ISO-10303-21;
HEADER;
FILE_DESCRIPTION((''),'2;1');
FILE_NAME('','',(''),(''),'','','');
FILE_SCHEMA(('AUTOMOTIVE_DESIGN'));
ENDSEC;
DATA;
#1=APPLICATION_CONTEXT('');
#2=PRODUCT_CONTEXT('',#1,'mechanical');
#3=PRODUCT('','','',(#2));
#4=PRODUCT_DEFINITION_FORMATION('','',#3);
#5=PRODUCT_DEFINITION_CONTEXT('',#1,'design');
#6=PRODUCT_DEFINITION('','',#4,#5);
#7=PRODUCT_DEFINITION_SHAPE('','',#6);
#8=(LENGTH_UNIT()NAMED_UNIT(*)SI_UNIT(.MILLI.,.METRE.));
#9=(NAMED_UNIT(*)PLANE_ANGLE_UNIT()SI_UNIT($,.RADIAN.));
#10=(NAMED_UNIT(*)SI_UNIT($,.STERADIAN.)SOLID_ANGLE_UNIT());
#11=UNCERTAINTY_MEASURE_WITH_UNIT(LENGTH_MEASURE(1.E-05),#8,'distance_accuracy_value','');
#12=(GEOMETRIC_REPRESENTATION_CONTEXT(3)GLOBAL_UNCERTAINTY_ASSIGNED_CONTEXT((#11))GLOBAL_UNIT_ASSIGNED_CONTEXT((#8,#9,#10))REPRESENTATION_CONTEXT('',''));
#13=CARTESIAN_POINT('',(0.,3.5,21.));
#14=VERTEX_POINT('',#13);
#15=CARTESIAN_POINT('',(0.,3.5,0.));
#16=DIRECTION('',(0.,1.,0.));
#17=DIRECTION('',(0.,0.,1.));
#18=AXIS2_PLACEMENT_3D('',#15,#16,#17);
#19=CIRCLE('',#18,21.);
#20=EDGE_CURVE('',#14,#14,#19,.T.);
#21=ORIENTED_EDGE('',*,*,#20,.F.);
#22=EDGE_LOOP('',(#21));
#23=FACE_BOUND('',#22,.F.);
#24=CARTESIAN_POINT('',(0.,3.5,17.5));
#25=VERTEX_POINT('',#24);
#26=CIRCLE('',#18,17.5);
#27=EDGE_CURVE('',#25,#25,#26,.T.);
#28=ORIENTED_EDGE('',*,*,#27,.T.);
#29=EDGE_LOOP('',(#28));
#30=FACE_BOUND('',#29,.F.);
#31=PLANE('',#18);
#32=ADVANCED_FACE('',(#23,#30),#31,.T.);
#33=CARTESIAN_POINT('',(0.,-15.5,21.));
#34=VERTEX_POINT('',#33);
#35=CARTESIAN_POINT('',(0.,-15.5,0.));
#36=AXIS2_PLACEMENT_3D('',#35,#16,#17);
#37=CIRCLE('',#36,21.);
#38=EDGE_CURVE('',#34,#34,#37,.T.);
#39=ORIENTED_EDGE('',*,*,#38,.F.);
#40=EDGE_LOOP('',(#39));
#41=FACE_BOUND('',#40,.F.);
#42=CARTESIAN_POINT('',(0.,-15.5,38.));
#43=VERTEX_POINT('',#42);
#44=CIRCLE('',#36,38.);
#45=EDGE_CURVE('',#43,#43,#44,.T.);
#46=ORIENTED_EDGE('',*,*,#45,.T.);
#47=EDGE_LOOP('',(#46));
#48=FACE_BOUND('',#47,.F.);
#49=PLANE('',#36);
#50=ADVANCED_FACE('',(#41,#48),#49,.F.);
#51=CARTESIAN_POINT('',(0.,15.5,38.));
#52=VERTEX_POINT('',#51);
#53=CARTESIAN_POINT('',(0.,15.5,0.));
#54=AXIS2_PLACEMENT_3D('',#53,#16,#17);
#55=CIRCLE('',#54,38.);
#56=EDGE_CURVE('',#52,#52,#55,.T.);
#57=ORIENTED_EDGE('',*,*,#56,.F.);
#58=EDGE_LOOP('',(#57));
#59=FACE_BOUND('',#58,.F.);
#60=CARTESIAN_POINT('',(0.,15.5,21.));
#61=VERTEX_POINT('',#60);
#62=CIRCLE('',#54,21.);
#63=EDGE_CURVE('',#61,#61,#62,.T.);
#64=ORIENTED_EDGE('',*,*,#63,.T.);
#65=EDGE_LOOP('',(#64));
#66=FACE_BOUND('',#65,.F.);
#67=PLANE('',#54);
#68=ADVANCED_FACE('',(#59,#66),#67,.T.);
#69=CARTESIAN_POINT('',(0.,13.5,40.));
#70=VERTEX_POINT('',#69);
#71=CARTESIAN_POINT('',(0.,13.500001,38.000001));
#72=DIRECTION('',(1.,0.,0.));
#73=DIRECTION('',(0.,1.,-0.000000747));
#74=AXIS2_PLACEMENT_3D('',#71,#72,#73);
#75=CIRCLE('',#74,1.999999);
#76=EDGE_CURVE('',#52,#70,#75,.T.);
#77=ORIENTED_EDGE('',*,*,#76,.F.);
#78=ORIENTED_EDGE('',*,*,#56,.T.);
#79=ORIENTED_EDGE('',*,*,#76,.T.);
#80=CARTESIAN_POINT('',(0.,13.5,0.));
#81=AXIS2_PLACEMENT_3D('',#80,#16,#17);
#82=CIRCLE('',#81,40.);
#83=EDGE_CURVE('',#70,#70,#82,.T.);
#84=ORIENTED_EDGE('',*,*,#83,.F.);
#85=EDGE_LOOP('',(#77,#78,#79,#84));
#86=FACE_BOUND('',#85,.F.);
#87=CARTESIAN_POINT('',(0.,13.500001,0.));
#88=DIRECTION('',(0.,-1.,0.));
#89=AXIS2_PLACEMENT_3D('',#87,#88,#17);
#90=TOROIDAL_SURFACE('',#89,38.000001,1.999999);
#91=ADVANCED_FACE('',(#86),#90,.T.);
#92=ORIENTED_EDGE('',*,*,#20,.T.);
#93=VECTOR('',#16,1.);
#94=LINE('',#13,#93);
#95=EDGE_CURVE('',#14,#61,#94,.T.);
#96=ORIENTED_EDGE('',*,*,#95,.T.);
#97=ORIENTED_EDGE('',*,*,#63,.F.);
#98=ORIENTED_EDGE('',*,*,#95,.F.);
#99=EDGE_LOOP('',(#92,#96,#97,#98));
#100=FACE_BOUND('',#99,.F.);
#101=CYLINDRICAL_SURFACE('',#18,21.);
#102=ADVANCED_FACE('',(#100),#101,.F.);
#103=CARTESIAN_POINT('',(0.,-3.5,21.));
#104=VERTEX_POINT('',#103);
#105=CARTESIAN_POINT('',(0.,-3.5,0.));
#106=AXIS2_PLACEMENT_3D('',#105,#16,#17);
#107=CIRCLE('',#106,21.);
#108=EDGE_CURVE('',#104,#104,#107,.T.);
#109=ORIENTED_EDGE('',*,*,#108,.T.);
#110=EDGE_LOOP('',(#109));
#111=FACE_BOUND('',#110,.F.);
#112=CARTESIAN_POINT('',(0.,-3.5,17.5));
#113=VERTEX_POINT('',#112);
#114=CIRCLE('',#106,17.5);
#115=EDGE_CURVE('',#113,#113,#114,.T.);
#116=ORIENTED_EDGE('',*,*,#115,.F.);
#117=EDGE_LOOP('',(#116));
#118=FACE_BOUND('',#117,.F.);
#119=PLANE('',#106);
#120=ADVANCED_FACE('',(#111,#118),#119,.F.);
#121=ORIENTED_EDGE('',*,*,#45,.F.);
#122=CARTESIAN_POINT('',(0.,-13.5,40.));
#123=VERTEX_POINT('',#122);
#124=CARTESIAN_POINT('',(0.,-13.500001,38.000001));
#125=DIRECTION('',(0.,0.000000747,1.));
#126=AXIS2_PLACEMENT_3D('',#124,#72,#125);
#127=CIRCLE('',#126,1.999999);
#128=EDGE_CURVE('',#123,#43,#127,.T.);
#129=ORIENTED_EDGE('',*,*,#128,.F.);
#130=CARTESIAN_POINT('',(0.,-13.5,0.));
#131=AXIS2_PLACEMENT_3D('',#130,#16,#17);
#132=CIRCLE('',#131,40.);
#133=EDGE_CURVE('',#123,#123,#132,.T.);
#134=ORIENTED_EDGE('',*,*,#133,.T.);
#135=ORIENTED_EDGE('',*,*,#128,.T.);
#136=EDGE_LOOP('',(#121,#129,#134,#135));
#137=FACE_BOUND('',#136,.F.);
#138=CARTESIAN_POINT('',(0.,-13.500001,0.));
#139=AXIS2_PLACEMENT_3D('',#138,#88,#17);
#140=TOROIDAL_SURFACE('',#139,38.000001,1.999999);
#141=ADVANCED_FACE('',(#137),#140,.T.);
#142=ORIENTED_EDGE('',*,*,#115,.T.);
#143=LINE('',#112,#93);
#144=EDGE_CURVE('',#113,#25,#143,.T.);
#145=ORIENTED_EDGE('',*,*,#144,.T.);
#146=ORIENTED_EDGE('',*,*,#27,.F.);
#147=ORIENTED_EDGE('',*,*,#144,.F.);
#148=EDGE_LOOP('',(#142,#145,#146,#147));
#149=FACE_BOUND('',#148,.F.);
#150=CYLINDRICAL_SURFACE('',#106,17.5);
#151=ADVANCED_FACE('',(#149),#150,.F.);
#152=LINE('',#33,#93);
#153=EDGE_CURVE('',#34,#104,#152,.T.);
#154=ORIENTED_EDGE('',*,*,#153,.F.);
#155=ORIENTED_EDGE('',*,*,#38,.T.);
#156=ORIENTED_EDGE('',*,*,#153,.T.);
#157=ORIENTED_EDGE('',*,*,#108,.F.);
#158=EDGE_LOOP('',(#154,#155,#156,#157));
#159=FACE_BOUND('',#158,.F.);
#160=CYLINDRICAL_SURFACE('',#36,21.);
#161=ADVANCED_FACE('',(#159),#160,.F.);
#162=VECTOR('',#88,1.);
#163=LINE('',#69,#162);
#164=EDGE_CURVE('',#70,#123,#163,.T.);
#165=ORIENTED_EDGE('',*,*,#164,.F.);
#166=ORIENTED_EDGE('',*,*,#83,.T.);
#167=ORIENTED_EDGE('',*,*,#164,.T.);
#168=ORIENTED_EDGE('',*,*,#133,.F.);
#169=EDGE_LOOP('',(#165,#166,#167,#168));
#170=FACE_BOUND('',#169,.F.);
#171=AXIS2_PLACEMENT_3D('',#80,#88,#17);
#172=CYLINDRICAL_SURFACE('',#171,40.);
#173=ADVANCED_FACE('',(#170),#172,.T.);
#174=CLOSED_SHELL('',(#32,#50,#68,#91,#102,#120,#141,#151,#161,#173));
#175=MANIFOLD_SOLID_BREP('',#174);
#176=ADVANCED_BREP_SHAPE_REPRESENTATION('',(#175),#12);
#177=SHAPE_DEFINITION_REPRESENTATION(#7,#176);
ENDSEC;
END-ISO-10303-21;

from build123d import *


with BuildPart() as f1:
    # F0 (on Right) → F1 (revolve)
    with BuildSketch(Plane.YZ):
        with BuildLine():
            Line((-15.5, 38), (-15.5, 21))
            Line((-15.5, 21), (-3.5, 21))
            Line((-3.5, 21), (-3.5, 17.5))
            Line((-3.5, 17.5), (3.5, 17.5))
            Line((3.5, 17.5), (3.5, 21))
            Line((3.5, 21), (15.5, 21))
            Line((15.5, 21), (15.5, 38))
            ThreePointArc((15.5, 38), (14.914214, 39.414214), (13.5, 40))
            Line((13.5, 40), (-13.5, 40))
            ThreePointArc((-13.5, 40), (-14.914214, 39.414214), (-15.5, 38))
        make_face()
    revolve(axis=Axis((0, 5.437174, 0), (0, 1, 0)))


solid = f1.part
